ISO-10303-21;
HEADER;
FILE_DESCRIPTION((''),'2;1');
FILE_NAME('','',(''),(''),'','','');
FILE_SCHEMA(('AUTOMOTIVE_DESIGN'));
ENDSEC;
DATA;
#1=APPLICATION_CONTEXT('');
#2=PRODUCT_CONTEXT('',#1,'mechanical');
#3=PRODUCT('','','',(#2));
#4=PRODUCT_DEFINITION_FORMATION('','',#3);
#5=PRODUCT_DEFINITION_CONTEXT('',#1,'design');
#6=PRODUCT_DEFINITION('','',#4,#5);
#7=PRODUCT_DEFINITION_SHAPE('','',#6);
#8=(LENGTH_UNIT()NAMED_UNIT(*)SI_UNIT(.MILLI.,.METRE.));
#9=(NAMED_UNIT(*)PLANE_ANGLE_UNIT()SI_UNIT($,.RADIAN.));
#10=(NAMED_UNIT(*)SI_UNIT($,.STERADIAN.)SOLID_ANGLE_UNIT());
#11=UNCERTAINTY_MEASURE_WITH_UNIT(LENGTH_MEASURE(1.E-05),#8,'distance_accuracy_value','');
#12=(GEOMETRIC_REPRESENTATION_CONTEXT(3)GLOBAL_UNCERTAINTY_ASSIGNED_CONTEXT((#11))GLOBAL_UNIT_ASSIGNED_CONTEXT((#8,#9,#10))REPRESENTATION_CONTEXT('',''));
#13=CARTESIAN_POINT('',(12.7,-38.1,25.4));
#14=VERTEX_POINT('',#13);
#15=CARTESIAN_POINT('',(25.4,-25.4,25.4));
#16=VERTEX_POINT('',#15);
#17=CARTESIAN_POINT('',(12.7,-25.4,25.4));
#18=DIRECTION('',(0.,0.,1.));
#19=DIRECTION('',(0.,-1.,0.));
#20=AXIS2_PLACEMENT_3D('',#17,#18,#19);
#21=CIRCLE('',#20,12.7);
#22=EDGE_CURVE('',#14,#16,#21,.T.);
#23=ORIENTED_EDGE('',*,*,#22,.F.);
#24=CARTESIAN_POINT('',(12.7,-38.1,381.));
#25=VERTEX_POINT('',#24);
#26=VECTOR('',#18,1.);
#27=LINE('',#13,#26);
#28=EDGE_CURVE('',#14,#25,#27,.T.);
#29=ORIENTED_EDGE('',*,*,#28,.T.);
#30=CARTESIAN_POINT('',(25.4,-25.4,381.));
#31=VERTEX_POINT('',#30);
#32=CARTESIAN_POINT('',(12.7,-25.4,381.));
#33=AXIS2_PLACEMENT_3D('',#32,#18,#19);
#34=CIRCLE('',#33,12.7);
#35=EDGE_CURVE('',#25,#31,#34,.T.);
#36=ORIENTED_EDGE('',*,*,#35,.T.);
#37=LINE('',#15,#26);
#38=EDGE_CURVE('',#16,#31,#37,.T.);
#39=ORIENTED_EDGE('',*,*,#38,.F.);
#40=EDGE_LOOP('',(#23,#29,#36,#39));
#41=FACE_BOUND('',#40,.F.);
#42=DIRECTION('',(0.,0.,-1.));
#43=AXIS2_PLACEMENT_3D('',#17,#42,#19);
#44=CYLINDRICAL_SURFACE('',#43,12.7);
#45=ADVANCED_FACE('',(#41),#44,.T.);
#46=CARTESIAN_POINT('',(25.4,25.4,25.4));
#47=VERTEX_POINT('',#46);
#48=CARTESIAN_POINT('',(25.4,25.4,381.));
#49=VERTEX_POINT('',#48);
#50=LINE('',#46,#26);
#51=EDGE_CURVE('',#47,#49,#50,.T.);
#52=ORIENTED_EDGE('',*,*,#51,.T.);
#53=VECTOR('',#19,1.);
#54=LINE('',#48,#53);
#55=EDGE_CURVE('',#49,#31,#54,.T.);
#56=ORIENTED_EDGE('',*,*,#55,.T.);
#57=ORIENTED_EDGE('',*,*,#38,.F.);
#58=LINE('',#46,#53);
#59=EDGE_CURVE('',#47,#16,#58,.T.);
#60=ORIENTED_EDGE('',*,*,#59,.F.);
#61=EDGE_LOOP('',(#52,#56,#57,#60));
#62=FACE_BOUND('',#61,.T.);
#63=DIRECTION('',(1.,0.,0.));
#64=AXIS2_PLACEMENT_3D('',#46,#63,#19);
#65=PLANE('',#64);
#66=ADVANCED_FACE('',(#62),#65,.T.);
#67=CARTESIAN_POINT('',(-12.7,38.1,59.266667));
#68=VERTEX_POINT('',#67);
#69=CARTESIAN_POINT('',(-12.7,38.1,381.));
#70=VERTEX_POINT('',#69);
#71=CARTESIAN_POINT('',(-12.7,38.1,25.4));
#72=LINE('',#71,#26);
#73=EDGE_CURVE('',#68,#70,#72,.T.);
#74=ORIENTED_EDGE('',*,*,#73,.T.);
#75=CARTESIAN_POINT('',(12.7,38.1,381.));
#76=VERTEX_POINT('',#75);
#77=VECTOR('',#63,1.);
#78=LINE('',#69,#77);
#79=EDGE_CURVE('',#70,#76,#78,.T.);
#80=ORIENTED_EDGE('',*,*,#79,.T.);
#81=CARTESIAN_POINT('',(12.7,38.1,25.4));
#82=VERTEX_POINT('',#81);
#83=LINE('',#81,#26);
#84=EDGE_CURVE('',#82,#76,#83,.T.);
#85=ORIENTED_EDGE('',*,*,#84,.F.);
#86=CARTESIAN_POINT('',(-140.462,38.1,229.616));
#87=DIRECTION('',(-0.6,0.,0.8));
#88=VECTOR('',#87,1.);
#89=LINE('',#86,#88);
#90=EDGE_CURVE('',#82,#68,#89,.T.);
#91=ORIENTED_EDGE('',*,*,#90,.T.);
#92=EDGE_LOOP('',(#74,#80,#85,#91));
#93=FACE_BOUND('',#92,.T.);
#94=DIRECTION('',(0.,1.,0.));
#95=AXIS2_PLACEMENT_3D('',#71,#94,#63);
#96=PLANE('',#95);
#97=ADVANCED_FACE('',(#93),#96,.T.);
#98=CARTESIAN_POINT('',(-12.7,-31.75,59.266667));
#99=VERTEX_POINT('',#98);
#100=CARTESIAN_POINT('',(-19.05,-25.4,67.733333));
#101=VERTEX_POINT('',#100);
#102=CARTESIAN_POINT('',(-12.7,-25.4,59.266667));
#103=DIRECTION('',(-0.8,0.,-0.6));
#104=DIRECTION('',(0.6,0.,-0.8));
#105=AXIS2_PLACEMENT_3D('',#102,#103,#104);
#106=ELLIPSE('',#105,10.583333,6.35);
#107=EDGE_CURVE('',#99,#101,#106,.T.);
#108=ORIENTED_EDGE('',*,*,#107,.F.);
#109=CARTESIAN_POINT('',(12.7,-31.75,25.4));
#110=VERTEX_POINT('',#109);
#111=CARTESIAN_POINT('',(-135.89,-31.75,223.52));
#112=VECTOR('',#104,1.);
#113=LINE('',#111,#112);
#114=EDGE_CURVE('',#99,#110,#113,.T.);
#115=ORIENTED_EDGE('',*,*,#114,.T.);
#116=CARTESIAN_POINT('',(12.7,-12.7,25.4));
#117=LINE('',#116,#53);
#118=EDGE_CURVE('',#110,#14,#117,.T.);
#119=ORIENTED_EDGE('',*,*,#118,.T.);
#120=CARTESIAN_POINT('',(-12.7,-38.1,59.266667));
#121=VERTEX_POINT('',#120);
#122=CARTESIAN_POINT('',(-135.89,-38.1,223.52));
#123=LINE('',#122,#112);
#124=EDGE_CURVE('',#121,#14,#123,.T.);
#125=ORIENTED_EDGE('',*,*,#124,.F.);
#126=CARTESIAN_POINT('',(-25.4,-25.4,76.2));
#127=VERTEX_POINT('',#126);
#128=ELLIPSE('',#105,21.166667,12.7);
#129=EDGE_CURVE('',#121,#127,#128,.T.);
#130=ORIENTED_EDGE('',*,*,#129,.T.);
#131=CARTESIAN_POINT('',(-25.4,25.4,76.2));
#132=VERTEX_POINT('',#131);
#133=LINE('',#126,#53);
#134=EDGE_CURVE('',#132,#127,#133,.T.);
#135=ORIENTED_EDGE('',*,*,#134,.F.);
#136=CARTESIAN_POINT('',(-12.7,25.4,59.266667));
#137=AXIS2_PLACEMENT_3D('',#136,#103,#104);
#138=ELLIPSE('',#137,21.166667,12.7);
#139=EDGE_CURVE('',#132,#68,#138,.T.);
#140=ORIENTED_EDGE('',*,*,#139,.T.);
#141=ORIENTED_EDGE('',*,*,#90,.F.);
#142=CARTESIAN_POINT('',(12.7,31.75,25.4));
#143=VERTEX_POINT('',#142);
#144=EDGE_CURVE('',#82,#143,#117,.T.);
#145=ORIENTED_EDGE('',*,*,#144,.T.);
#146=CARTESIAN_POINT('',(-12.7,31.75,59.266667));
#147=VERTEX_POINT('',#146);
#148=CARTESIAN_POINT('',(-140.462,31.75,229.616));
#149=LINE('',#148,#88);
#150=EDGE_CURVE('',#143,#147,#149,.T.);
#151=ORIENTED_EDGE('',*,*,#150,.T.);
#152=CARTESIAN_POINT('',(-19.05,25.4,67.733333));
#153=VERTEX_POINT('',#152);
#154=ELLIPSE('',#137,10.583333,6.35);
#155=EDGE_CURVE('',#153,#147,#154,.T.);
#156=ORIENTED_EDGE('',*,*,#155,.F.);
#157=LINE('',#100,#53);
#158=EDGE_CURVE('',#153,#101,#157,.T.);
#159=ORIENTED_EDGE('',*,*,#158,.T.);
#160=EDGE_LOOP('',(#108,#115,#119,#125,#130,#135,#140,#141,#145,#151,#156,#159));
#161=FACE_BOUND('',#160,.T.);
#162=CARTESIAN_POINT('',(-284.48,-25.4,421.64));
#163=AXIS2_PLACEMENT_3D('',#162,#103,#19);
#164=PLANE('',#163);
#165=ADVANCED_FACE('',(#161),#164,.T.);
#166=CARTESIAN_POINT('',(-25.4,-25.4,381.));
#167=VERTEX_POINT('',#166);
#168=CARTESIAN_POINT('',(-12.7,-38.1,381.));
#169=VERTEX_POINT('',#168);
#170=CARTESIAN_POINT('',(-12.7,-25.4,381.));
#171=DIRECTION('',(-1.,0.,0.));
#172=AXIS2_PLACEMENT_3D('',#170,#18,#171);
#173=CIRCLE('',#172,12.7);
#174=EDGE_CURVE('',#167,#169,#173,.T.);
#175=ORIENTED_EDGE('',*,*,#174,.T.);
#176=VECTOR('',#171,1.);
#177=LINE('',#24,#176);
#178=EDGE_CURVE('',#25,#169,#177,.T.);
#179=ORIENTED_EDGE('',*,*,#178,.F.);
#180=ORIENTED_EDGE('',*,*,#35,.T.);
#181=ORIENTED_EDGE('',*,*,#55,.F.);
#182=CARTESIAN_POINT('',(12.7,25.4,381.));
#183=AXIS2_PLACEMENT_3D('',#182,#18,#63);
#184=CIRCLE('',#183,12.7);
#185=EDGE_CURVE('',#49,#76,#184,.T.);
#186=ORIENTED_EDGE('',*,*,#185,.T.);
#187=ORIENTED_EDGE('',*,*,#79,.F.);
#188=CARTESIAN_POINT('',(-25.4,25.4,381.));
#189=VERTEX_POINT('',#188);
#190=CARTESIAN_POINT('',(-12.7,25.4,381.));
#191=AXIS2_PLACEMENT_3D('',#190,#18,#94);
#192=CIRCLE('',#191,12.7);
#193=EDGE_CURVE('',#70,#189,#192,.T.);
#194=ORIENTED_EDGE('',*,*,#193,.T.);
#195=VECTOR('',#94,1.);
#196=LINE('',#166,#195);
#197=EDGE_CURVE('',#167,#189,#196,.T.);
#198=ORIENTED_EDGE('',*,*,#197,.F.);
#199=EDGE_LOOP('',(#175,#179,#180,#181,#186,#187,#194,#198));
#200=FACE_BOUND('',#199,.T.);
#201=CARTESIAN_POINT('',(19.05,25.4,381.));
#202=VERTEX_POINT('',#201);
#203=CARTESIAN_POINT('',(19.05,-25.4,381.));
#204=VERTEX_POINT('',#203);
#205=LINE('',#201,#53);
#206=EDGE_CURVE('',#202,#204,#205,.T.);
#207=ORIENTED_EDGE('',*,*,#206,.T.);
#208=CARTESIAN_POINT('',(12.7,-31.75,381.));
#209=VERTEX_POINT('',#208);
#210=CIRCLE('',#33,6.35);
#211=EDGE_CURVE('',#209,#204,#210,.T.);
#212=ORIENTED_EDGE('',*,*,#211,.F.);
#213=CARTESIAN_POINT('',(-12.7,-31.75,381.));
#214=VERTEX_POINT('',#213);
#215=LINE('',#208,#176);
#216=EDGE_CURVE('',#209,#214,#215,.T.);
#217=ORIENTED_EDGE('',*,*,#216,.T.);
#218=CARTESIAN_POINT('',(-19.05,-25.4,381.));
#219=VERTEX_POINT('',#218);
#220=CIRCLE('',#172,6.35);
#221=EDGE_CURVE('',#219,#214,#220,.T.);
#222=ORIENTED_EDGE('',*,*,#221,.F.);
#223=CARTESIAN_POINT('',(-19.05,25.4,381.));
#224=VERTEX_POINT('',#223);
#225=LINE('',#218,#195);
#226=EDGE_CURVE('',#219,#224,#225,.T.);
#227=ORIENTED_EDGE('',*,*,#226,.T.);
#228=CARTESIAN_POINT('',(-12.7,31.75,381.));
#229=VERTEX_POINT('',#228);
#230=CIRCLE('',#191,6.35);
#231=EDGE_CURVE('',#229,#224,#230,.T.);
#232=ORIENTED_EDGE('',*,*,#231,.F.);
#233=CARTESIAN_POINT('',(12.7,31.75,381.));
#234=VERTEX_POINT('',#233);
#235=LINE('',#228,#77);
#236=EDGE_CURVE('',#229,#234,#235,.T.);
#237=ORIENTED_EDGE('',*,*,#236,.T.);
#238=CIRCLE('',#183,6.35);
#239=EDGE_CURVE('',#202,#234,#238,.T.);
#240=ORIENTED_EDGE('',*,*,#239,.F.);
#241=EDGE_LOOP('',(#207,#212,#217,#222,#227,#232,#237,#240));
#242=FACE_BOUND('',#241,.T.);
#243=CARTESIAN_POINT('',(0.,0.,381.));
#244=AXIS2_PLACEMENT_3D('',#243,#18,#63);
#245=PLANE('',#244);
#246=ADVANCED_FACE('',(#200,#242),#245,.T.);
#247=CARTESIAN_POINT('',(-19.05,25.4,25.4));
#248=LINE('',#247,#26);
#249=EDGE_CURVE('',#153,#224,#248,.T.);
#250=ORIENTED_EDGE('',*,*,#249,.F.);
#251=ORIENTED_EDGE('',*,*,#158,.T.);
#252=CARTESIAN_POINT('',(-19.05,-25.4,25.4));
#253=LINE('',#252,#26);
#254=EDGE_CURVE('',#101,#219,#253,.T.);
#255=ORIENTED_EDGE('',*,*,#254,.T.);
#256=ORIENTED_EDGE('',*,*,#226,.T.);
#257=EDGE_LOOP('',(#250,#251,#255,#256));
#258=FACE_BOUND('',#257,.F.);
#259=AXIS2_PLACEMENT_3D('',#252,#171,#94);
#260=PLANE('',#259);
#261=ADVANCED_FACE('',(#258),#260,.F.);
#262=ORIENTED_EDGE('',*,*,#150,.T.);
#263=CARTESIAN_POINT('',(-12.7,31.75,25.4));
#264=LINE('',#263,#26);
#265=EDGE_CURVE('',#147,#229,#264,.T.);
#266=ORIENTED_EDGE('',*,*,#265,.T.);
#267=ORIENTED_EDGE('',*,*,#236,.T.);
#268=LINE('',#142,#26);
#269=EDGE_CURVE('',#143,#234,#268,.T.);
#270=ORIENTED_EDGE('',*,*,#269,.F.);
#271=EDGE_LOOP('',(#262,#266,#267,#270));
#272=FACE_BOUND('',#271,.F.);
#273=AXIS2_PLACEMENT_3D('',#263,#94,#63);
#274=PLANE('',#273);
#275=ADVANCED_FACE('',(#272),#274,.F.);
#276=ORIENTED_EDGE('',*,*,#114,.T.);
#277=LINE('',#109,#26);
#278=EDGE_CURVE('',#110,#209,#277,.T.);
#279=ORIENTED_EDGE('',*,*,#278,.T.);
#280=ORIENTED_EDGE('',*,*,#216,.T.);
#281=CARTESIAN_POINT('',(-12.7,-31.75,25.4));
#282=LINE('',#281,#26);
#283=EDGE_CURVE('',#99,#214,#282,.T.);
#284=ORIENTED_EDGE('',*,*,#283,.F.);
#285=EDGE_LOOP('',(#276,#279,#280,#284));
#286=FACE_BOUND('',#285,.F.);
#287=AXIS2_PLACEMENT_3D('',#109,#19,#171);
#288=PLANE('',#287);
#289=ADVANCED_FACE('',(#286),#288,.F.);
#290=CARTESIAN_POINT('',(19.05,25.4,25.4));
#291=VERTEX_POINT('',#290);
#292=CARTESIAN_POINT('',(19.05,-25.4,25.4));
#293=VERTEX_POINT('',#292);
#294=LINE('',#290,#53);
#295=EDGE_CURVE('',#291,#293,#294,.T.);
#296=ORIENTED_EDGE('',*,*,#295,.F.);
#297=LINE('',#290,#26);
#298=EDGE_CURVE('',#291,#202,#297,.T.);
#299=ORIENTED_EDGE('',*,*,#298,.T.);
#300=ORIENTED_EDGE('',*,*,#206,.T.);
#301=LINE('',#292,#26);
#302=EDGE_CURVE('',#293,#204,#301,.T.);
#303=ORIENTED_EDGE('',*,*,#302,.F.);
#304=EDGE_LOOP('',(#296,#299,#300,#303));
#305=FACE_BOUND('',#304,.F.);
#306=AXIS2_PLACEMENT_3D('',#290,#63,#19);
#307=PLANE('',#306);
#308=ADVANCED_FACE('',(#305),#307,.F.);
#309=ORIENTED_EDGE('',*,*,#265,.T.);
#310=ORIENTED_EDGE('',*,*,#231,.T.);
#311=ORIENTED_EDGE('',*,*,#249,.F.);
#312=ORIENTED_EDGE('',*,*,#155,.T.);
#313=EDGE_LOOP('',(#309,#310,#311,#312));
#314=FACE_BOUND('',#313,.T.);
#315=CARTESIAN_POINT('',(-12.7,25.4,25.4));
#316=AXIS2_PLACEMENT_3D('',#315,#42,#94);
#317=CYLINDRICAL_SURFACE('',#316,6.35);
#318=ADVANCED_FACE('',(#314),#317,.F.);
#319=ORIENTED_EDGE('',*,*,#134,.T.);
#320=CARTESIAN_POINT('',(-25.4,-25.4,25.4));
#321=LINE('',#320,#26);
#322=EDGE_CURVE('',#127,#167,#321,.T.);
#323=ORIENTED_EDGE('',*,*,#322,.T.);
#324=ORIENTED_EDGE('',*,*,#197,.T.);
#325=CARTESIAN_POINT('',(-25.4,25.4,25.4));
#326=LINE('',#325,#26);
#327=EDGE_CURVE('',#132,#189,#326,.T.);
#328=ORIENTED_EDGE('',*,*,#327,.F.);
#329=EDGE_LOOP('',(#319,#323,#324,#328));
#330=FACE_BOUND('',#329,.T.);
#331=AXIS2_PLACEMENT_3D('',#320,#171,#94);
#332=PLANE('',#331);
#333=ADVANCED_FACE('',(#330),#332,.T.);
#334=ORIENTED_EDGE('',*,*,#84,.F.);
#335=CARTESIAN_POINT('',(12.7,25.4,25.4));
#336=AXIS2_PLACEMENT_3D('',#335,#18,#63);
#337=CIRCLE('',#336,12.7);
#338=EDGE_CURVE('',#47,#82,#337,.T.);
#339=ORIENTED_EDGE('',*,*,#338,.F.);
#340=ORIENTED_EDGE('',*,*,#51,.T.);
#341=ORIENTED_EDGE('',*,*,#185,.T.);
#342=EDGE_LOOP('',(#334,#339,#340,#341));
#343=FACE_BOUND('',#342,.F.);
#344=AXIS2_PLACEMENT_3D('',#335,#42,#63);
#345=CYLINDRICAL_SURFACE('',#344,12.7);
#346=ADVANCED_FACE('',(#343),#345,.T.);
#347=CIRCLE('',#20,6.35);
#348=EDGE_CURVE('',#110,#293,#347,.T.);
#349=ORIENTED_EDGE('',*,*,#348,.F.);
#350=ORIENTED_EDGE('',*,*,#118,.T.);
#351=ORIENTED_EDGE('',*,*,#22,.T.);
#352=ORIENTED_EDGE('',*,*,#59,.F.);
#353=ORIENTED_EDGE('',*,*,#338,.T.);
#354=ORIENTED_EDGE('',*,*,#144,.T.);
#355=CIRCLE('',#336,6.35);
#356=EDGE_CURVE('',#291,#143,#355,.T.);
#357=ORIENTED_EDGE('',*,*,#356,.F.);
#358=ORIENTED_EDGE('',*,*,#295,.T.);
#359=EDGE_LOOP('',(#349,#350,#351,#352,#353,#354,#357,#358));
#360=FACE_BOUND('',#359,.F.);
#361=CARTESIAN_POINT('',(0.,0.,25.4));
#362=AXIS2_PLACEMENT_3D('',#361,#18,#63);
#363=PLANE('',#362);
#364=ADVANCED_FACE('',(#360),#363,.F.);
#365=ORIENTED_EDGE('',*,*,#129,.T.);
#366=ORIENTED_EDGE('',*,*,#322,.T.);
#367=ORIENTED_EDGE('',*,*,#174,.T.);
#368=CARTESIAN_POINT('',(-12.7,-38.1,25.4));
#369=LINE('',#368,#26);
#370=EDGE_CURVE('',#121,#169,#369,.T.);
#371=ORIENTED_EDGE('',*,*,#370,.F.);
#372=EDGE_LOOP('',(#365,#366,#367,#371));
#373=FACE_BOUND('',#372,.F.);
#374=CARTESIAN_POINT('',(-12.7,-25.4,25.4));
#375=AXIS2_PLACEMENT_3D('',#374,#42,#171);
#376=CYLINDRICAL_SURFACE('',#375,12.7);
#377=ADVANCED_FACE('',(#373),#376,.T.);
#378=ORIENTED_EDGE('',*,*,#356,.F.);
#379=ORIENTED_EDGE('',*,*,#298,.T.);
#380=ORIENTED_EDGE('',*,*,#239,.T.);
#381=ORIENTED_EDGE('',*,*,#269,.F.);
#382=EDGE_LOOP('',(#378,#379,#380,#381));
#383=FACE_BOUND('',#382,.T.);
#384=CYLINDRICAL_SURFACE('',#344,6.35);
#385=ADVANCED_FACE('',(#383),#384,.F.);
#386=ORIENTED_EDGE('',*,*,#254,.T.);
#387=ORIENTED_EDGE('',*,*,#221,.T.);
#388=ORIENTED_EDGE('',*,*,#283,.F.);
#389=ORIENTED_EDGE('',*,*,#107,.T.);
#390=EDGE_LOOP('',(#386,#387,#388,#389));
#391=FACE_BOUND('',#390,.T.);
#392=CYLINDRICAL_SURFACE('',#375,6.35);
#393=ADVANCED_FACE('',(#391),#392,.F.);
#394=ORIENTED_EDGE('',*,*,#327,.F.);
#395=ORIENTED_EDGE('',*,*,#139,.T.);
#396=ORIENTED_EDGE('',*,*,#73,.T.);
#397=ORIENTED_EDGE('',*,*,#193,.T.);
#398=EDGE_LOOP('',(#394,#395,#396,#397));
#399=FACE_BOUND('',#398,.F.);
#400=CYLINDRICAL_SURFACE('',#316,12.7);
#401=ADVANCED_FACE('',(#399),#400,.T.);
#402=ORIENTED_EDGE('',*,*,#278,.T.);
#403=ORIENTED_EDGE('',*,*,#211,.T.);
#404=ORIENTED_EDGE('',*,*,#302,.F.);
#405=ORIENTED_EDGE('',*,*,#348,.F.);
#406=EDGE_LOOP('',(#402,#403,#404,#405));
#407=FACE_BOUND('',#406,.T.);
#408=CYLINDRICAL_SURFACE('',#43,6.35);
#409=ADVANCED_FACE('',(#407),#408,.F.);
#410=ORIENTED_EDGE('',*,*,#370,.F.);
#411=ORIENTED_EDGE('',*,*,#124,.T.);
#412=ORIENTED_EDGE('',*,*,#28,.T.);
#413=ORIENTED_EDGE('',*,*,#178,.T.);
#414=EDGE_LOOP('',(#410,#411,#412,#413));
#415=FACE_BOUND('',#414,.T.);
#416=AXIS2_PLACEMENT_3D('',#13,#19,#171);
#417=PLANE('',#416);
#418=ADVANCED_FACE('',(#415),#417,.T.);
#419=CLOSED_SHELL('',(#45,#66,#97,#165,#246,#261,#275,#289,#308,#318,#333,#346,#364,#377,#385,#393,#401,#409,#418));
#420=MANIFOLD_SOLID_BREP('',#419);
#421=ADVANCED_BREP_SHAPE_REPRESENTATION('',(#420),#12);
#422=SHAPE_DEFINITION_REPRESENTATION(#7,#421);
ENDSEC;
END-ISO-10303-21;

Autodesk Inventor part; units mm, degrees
ref_plane "Start Plane" through (0, 0, 25.4) normal (0, 0, 1) x (1, 0, 0)
ref_plane "End Plane" through (0, 0, 381) normal (0, 0, 1) x (1, 0, 0)
sketch "Sketch" plane through (0, 0, 0) normal (0, 0, 1) x (1, 0, 0)
  line L0 (-25.4, -25.4) -> (-25.4, 25.4)
  line L1 (-12.7, 38.1) -> (12.7, 38.1)
  line L2 (25.4, 25.4) -> (25.4, -25.4)
  line L3 (12.7, -38.1) -> (-12.7, -38.1)
  arc A0 (-25.4, -25.4) -> (-12.7, -38.1) centre (-12.7, -25.4) ccw
  arc A1 (-12.7, 38.1) -> (-25.4, 25.4) centre (-12.7, 25.4) ccw
  arc A2 (25.4, 25.4) -> (12.7, 38.1) centre (12.7, 25.4) ccw
  arc A3 (12.7, -38.1) -> (25.4, -25.4) centre (12.7, -25.4) ccw
  arc A4 (-12.7, 31.75) -> (-19.05, 25.4) centre (-12.7, 25.4) ccw
  line L4 (-12.7, 31.75) -> (12.7, 31.75)
  arc A5 (19.05, 25.4) -> (12.7, 31.75) centre (12.7, 25.4) ccw
  line L5 (19.05, 25.4) -> (19.05, -25.4)
  arc A6 (12.7, -31.75) -> (19.05, -25.4) centre (12.7, -25.4) ccw
  line L6 (12.7, -31.75) -> (-12.7, -31.75)
  arc A7 (-19.05, -25.4) -> (-12.7, -31.75) centre (-12.7, -25.4) ccw
  line L7 (-19.05, -25.4) -> (-19.05, 25.4)
  line L8 (0, 57.0224) -> (0, -57.0224) construction
  line L9 (-39.2424, 0) -> (39.2424, 0) construction
  dimension "d10" = 76.2
  dimension "d11" = 50.8
  dimension "d12" = 6.35
  dimension "d15" = 38.1
  dimension "d16" = 25.4
  dimension "d17" = 12.7
extrude "Body" add sketch "Sketch" along normal up to surface (355.6 mm away) from surface at 25.4
sketch "Sketch3" plane through (0, 0, 0) normal (0, 0, 1) x (1, 0, 0)
  line L0 (0, 0) -> (10, 0)
ref_plane "Work Plane3" through (0, 0, 0) normal (0, -1, 0) x (1, 0, 0)
ref_plane "Work Plane4" through (914.4, -25.4, 381) normal (0, 0, 1) x (1, 0, 0)
split "Split1" plane through (914.4, -25.4, 381) removes the side toward (0, 0, 1)
ref_plane "Work Plane5" through (0, -25.4, 25.4) normal (0, 0, -1) x (-1, 0, 0)
split "Split2" plane through (0, -25.4, 25.4) removes the side toward (0, 0, -1)
ref_plane "Work Plane6" through (-284.48, -25.4, 421.64) normal (-0.8, 0, -0.6) x (-0.6, 0, 0.8)
split "Split3" plane through (-284.48, -25.4, 421.64) removes the side toward (-0.8, 0, -0.6)
sketch "Sketch4" plane through (0, 0, 0) normal (0, -1, 0) x (1, 0, 0)
  line L0 (-2, 25.4) -> (12, 25.4) projected
  line L1 (-2, 381) -> (12, 381) projected
  dimension "d19" = 355.6
equation "\"d10\" = G_H"
equation "\"d11\" = G_W"
equation "\"d12\" = G_T"
equation "\"d15\" = 0.5 * d10"
equation "\"d16\" = 0.5 * d11"
equation "\"d17\" = G_IR"
equation "\"d3\" = G_L"
equation "\"G_W\" = 50.8"
equation "\"G_H\" = 76.2"
equation "\"G_T\" = 6.35"
equation "\"G_IR\" = 12.7"
equation "\"G_L\" = d19"
equation "\"G_OFFSET_START\" = -25.4"
equation "\"G_OFFSET_END\" = -25.4"
equation "\"d13\" = -G_OFFSET_START"
equation "\"d14\" = G_OFFSET_END + B_L"
equation "\"B_L\" = 406.4"
properties part number "AISC - 3 x 2 x 1/4 - 14" material "Steel, Mild"
